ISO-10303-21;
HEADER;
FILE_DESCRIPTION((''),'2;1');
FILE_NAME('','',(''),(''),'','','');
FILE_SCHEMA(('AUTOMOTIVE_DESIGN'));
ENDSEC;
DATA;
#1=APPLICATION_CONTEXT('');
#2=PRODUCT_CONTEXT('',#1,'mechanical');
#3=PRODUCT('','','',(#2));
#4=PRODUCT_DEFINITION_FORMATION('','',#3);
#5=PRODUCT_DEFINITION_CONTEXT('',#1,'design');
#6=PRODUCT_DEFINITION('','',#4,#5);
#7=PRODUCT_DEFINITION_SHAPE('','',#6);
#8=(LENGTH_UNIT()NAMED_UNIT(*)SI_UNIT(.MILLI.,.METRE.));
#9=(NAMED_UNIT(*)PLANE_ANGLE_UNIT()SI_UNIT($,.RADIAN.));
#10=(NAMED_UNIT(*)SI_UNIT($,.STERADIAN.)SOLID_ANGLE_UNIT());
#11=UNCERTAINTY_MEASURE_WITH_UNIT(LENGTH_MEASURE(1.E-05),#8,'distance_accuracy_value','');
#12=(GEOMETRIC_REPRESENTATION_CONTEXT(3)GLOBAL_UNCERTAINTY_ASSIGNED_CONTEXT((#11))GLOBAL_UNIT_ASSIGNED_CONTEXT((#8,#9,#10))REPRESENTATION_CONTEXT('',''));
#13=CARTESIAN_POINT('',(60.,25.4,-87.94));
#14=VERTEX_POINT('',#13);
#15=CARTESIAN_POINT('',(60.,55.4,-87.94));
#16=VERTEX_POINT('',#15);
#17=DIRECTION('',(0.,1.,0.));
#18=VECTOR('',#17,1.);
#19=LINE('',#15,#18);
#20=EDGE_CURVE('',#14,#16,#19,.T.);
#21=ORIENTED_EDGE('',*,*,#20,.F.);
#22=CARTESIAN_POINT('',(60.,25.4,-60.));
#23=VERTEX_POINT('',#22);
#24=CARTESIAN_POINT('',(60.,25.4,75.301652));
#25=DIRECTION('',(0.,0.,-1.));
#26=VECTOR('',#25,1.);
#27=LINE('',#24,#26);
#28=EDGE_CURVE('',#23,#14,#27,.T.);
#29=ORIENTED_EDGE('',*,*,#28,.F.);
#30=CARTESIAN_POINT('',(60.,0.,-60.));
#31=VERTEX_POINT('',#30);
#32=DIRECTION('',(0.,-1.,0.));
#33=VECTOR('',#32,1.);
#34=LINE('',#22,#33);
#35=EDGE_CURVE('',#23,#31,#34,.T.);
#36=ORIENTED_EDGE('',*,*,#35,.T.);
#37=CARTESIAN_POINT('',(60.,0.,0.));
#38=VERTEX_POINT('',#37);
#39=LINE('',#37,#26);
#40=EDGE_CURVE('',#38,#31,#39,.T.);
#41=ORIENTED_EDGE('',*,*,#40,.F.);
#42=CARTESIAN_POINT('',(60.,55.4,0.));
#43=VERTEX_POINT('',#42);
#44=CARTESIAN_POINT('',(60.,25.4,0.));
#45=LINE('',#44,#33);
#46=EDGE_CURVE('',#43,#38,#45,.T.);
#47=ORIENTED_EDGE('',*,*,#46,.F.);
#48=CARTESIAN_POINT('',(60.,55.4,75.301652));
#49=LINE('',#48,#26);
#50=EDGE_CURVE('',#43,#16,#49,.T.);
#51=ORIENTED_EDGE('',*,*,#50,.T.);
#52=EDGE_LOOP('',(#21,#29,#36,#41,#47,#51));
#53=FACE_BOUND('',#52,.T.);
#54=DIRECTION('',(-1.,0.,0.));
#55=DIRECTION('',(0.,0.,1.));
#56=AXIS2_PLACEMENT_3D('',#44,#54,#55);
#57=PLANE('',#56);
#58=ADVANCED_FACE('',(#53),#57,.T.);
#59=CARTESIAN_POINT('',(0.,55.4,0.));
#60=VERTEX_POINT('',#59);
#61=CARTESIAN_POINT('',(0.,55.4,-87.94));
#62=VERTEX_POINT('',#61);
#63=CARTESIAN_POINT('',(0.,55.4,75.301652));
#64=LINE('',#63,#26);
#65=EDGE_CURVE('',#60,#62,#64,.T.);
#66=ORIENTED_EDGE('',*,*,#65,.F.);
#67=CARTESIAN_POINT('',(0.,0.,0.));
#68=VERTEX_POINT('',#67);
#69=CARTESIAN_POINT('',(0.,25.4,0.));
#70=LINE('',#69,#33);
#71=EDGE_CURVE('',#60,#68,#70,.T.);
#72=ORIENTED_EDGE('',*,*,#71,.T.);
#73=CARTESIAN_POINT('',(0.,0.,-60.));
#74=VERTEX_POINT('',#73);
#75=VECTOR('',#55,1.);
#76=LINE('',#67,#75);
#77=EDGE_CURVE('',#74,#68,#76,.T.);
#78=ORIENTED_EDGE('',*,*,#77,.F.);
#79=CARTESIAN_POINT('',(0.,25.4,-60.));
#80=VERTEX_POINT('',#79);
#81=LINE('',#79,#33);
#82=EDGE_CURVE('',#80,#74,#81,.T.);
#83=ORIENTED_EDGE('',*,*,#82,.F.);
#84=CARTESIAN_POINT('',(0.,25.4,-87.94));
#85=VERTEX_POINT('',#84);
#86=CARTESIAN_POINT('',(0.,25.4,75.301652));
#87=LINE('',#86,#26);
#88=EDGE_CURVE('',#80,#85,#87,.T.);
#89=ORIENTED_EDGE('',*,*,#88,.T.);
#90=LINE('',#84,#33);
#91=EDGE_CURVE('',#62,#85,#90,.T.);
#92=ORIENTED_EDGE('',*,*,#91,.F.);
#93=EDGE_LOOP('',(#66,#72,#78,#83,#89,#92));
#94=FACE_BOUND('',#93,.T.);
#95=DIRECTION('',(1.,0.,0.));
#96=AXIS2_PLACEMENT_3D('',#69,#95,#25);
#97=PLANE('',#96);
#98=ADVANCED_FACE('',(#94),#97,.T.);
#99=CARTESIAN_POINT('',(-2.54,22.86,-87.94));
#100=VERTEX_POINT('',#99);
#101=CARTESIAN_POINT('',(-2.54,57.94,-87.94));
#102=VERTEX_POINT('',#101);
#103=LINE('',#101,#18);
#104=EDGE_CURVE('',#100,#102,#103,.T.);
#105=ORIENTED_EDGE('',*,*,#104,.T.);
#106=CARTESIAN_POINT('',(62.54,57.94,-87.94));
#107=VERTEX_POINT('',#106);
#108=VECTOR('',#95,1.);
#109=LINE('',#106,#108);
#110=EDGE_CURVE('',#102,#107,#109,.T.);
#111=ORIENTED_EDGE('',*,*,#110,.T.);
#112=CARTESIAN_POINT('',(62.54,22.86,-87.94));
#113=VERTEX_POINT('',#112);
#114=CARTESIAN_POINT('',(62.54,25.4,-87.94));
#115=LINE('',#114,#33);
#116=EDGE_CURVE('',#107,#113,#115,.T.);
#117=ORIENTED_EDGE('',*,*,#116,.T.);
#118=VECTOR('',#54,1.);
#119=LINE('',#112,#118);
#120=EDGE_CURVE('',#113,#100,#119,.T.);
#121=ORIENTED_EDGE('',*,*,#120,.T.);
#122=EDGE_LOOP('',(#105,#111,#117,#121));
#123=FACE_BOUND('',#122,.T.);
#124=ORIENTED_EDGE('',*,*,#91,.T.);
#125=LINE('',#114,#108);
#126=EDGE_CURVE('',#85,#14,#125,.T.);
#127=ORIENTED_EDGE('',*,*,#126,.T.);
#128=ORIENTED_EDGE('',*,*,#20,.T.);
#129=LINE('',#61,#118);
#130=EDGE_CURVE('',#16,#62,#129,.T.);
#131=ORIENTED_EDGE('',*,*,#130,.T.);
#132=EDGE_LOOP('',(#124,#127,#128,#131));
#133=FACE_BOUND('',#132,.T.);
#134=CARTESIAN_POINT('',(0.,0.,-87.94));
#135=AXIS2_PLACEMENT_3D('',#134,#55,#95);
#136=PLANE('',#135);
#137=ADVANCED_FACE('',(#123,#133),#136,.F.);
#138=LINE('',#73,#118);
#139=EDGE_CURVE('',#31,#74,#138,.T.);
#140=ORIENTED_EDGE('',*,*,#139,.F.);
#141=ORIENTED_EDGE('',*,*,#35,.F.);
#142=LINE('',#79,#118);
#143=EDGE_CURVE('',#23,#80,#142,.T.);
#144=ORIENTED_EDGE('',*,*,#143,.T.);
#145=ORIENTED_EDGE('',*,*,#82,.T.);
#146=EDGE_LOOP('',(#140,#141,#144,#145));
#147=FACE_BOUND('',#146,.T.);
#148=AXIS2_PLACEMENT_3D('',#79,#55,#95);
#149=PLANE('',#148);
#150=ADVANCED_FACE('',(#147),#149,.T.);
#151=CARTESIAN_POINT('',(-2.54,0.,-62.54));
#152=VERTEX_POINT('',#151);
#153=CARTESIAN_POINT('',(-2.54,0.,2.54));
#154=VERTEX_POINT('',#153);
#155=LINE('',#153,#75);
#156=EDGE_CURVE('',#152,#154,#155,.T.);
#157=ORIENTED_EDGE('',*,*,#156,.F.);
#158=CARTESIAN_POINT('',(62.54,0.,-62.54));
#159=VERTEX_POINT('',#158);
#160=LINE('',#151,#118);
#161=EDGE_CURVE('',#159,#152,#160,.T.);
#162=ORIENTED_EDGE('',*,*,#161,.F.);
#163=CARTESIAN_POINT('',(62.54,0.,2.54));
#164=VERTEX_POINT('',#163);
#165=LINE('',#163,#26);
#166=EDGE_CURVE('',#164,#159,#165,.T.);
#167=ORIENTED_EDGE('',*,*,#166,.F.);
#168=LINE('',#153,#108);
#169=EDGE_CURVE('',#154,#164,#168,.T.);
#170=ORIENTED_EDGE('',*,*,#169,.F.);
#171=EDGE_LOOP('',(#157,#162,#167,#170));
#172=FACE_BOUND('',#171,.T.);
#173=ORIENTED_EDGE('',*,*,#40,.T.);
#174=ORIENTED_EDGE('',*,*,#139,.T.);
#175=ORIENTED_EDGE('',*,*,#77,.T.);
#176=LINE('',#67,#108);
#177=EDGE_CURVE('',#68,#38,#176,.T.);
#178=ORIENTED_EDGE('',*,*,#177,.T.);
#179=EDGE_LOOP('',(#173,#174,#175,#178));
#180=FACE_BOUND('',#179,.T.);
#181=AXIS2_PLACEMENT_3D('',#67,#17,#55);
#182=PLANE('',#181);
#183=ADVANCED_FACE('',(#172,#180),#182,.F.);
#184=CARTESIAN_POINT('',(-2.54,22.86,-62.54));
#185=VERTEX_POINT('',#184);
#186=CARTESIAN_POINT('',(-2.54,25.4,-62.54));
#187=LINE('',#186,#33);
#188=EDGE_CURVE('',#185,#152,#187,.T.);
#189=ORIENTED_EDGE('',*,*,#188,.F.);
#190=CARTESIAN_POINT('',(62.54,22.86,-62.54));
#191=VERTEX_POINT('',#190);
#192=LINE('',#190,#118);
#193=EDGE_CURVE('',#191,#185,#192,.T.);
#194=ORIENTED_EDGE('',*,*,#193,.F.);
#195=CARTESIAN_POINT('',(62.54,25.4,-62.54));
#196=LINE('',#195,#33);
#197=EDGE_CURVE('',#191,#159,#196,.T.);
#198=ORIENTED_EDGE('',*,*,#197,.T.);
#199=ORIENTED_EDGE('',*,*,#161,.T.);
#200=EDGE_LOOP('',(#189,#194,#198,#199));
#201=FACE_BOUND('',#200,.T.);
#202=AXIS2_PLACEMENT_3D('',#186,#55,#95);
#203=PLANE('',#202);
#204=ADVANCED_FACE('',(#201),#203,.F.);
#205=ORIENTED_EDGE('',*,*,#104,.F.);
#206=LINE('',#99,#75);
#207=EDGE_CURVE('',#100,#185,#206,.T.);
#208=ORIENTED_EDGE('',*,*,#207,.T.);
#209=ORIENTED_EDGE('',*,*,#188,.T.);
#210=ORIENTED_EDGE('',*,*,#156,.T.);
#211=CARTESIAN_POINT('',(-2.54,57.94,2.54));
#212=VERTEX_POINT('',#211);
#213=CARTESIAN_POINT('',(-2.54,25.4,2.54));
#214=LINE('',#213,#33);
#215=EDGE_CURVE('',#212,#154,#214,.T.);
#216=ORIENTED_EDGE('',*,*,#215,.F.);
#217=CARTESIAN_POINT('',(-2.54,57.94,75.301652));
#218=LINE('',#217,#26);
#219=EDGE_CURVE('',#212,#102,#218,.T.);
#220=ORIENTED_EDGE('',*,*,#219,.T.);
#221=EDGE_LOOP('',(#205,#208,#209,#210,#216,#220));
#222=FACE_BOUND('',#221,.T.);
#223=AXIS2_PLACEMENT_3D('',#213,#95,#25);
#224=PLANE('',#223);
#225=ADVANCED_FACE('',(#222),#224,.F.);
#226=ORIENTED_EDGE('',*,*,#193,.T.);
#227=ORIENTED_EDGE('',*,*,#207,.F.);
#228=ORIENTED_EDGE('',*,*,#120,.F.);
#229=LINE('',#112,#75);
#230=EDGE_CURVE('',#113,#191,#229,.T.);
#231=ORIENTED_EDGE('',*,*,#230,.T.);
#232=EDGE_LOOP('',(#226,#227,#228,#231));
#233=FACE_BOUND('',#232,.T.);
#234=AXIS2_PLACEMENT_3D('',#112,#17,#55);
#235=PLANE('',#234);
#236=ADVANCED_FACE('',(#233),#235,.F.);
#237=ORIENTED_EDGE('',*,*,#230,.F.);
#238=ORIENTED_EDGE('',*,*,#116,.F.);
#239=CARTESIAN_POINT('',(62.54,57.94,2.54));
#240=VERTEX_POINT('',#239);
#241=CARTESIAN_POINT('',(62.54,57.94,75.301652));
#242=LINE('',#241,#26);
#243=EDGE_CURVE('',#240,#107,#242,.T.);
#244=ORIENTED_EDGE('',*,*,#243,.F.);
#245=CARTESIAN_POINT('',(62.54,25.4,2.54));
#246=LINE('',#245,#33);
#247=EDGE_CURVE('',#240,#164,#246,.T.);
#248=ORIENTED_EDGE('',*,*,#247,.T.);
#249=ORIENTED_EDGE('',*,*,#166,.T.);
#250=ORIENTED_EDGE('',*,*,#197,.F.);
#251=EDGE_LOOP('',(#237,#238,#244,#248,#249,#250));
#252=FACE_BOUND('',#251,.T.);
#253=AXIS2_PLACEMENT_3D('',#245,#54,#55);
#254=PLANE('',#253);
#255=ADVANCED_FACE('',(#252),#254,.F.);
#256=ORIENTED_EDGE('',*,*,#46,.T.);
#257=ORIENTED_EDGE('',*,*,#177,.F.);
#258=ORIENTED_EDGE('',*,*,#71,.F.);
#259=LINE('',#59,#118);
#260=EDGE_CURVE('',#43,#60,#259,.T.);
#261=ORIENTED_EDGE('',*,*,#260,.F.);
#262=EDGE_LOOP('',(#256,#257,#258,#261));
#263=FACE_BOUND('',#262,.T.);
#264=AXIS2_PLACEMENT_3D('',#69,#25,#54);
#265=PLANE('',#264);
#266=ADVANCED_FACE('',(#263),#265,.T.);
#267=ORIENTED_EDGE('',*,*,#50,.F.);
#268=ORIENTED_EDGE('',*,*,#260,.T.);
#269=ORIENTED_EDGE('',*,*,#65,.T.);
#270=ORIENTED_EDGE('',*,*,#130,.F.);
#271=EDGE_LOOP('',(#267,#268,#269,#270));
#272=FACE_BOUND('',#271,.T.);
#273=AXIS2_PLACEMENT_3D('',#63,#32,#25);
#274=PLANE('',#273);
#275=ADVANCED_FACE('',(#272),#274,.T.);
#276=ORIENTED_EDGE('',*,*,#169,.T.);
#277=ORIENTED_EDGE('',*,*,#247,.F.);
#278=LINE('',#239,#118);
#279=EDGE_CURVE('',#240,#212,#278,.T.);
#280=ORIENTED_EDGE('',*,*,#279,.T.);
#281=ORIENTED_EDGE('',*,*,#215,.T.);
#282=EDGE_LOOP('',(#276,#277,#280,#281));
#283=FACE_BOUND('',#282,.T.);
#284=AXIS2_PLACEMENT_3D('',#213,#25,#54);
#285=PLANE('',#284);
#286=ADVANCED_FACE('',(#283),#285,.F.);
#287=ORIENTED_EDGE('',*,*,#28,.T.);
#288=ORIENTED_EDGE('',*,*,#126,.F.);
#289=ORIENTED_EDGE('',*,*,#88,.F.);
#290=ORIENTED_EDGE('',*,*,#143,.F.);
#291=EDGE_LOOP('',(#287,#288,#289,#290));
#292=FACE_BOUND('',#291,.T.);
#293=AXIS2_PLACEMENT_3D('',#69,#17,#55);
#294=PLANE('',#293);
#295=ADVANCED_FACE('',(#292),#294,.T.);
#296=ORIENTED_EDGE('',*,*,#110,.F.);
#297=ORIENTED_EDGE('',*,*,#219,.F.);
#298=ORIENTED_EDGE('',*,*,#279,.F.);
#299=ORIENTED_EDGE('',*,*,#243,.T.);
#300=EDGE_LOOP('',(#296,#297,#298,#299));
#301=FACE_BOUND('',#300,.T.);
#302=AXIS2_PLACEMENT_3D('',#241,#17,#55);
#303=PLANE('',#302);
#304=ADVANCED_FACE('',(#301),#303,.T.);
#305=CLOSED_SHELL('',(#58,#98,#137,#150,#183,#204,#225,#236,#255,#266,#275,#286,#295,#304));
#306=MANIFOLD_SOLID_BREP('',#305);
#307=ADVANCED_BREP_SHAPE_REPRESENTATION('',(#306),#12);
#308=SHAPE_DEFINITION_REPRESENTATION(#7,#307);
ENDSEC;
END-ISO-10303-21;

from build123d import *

# Parameters (mm, degrees)
SKETCH1_W                = 65.08
SKETCH1_H                = 65.08
SKETCH1_W_2              = 60
SKETCH1_H_2              = 60
BOSS_EXTRUDE1_DEPTH      = 25.4
BOSS_EXTRUDE2_DEPTH      = 25.4
BOSS_EXTRUDE2_DEPTH_BACK = 65.08
SKETCH4_W                = 65.08
SKETCH4_H                = 2.54
BOSS_EXTRUDE3_DEPTH      = 25.4
SKETCH5_W                = 60
SKETCH5_H                = 30
BOSS_EXTRUDE4_DEPTH      = 2.54


with BuildPart() as part:
    # Sketch1 → Boss-Extrude1 (new body)
    with BuildSketch(Plane(origin=(0, 0, 0), x_dir=(1, 0, 0), z_dir=(0, 1, 0))):
        with Locations((30, 30)):
            Rectangle(SKETCH1_W, SKETCH1_H)
        with Locations((30, 30)):
            Rectangle(SKETCH1_W_2, SKETCH1_H_2, mode=Mode.SUBTRACT)
    extrude(amount=BOSS_EXTRUDE1_DEPTH)

    # Sketch2 → Boss-Extrude2 (add, two sides: drawn at the far end of the back side and taken through both)
    with BuildSketch(Plane(origin=(0, 0, -62.54), x_dir=(-1, 0, 0), z_dir=(0, 0, -1)).offset(-BOSS_EXTRUDE2_DEPTH_BACK)):
        Polygon((0, 25.4), (0, 55.4), (-60, 55.4), (-60, 25.4), (-62.54, 25.4), (-62.54, 57.94), (2.54, 57.94), (2.54, 25.4), align=None)
    extrude(amount=BOSS_EXTRUDE2_DEPTH + BOSS_EXTRUDE2_DEPTH_BACK)

    # Sketch4 → Boss-Extrude3 (add)
    with BuildSketch(Plane(origin=(0, 0, -62.54), x_dir=(-1, 0, 0), z_dir=(0, 0, -1))):
        with Locations((-30, 24.13)):
            Rectangle(SKETCH4_W, SKETCH4_H)
    extrude(amount=BOSS_EXTRUDE3_DEPTH)

    # Sketch5 → Boss-Extrude4 (add)
    with BuildSketch(Plane.XY.offset(2.54)):
        with Locations((30, 40.4)):
            Rectangle(SKETCH5_W, SKETCH5_H)
    extrude(amount=-BOSS_EXTRUDE4_DEPTH)


solid = part.part
